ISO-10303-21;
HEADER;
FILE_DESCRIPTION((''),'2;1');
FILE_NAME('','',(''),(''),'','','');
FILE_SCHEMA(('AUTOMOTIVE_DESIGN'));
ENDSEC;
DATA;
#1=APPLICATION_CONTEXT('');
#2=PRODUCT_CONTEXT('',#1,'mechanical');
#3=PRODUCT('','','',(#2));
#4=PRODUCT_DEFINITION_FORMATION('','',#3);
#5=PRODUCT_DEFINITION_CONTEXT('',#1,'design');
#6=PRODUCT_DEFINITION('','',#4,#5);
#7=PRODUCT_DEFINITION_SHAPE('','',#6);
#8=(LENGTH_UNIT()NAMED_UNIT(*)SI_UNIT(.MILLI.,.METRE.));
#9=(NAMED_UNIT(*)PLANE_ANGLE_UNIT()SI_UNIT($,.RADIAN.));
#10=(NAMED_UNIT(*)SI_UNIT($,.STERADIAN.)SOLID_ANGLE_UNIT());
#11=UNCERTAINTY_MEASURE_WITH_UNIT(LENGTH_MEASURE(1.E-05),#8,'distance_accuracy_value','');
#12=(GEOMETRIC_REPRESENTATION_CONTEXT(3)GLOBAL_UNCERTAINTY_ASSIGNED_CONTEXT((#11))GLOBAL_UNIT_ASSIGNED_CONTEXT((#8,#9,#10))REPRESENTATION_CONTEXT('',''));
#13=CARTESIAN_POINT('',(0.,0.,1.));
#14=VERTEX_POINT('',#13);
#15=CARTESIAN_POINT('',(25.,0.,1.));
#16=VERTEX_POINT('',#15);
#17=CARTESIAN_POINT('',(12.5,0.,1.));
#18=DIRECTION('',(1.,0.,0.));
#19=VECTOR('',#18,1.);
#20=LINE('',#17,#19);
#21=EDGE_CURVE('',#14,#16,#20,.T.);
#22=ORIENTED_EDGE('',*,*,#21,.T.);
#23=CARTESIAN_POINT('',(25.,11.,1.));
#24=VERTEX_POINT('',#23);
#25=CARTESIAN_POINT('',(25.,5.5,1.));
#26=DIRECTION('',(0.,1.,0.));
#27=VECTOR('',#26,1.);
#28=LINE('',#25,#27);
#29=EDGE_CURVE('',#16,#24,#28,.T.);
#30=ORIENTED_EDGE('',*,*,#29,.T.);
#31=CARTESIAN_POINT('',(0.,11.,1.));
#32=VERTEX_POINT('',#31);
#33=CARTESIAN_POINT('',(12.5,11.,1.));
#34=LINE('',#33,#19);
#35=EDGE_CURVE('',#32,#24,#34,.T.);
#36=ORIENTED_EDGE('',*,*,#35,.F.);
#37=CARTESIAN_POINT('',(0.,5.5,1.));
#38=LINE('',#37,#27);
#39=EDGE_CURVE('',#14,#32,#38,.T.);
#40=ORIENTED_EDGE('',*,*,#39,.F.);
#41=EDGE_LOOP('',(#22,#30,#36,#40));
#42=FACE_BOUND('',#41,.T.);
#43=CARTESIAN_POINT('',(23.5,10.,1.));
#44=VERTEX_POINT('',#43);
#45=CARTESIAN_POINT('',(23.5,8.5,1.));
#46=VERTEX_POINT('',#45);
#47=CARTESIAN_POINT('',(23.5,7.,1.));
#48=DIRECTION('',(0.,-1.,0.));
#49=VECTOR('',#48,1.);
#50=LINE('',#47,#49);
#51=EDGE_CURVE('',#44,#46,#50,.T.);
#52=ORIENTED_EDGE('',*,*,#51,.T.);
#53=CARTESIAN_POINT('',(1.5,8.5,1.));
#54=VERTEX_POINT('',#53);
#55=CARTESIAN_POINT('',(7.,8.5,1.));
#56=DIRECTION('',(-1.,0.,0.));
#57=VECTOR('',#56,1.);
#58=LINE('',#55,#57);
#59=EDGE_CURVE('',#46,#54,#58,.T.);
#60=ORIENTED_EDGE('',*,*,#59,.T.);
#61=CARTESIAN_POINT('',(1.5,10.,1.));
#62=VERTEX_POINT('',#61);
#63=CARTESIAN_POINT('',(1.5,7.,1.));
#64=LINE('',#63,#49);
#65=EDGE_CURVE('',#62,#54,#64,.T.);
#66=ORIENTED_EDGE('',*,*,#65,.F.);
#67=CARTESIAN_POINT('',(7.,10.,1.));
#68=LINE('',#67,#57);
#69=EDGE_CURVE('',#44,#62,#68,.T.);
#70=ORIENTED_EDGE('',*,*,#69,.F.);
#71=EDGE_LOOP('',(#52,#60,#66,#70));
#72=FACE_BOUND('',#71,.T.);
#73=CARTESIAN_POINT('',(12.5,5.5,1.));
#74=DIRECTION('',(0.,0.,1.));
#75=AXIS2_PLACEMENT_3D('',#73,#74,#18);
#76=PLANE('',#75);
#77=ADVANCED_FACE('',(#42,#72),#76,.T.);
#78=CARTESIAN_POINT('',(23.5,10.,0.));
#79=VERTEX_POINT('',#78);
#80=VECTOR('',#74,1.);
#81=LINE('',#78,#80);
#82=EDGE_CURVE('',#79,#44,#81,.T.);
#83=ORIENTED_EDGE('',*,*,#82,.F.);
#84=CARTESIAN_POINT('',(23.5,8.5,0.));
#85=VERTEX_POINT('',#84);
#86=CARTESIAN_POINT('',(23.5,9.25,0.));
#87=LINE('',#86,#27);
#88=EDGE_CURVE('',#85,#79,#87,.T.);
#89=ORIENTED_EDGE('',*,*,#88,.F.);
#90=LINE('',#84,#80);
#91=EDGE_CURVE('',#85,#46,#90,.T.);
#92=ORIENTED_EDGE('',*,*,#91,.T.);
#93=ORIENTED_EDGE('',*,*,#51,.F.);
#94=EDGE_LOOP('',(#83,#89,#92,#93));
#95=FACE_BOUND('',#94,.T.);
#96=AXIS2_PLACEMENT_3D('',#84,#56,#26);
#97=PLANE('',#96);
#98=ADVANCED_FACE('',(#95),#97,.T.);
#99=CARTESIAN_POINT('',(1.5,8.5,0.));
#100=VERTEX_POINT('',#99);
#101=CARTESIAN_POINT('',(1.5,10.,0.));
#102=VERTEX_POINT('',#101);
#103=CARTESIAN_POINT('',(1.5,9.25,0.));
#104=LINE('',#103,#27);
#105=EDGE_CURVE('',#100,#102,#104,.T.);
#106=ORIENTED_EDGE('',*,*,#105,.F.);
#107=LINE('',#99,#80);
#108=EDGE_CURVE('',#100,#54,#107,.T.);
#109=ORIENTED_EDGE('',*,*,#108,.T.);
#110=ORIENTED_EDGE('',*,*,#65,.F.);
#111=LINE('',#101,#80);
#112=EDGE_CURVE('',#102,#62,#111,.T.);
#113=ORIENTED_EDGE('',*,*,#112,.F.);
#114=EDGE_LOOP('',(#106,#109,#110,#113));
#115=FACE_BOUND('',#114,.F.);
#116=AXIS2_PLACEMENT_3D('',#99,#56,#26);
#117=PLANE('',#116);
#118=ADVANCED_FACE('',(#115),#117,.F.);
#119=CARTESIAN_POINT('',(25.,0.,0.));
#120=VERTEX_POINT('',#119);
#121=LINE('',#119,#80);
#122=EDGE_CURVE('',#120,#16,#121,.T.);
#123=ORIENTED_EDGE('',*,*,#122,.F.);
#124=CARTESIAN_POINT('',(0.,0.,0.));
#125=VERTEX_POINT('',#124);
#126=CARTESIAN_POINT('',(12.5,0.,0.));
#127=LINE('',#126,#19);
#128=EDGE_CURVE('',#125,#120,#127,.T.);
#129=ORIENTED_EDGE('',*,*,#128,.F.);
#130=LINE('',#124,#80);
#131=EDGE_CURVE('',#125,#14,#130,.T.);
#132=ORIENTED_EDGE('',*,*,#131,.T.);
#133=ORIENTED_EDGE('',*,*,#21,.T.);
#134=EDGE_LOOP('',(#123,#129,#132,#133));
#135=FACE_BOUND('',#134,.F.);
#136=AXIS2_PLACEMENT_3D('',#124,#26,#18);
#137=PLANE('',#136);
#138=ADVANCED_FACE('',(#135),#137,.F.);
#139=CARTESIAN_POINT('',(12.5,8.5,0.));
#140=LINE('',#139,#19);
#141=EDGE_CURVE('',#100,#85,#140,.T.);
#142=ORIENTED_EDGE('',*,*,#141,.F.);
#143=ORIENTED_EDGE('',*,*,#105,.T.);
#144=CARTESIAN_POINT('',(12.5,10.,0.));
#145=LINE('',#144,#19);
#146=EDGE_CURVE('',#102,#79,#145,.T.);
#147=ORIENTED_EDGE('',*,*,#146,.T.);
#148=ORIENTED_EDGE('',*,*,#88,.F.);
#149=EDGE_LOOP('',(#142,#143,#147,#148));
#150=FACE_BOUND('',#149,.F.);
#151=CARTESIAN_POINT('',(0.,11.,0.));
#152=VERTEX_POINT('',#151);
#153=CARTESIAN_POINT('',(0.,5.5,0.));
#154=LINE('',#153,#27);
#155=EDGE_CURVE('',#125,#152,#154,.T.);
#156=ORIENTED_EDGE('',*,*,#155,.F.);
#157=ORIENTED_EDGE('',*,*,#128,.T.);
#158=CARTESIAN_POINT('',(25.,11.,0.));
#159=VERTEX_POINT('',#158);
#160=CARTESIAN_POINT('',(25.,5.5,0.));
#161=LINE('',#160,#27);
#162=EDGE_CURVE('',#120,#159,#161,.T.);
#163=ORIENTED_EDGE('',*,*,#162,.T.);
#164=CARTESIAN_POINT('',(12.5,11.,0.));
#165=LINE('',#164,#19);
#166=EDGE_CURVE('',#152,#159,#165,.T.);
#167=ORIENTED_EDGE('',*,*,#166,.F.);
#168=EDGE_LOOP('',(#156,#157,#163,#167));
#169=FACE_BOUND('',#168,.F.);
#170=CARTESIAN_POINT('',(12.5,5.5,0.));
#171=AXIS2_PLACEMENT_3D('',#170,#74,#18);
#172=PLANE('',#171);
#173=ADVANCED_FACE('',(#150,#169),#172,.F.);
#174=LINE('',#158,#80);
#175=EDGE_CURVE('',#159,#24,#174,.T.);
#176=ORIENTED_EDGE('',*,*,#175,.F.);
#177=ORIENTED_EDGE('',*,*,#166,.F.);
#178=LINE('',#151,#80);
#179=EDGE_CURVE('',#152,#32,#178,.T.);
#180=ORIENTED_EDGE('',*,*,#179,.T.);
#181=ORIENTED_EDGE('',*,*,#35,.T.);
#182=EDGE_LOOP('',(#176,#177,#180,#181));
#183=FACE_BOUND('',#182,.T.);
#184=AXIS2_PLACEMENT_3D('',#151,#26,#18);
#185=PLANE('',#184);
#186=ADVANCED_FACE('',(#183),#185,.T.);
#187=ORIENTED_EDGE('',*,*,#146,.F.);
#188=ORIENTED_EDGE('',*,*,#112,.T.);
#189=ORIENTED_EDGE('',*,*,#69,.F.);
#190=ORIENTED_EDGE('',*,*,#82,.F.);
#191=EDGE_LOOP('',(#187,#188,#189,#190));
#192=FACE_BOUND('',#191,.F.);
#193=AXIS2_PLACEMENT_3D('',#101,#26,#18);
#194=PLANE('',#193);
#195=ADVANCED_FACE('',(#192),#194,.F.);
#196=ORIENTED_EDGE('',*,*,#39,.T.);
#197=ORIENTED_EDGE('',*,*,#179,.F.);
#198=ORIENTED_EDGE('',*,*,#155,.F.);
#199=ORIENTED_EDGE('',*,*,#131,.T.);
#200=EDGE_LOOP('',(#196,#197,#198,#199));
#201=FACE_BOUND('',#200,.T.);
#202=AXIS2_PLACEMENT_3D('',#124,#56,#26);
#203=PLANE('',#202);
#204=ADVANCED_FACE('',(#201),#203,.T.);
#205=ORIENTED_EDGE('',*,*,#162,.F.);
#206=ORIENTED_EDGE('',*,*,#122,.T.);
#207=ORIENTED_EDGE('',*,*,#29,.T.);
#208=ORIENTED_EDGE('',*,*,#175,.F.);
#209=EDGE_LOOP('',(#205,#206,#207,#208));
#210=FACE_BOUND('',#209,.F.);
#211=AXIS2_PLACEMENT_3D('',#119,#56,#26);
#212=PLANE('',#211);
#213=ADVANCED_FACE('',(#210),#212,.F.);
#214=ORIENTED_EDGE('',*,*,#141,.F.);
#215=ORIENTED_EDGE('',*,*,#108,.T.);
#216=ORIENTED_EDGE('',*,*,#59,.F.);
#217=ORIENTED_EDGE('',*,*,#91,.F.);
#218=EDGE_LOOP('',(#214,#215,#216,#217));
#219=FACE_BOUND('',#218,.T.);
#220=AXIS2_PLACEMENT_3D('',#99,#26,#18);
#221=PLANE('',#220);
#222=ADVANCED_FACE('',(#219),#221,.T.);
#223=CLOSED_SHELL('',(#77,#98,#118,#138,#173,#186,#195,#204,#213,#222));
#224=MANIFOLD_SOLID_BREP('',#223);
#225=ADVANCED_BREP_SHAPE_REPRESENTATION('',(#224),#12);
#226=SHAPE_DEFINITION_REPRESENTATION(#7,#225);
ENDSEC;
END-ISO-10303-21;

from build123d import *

# Parameters (mm, degrees)
BOX157_W     = 22
BOX157_H     = 1.5
BOX157_DEPTH = 2
BOX155_W     = 25
BOX155_H     = 11
BOX155_DEPTH = 1


with BuildPart() as longledhole013:
    # Box157 → Box157 (new body)
    with BuildSketch(Plane(origin=(1.5, 8.5, 0), x_dir=(1, 0, 0), z_dir=(0, 0, 1))):
        with Locations((11, 0.75)):
            Rectangle(BOX157_W, BOX157_H)
    extrude(amount=BOX157_DEPTH)


with BuildPart() as cut030:
    # Box155 → Box155 (new body)
    with BuildSketch(Plane.XY):
        with Locations((12.5, 5.5)):
            Rectangle(BOX155_W, BOX155_H)
    extrude(amount=BOX155_DEPTH)

    # Cut030: cut LongLedHole013
    add(longledhole013.part, mode=Mode.SUBTRACT)


solid = cut030.part
